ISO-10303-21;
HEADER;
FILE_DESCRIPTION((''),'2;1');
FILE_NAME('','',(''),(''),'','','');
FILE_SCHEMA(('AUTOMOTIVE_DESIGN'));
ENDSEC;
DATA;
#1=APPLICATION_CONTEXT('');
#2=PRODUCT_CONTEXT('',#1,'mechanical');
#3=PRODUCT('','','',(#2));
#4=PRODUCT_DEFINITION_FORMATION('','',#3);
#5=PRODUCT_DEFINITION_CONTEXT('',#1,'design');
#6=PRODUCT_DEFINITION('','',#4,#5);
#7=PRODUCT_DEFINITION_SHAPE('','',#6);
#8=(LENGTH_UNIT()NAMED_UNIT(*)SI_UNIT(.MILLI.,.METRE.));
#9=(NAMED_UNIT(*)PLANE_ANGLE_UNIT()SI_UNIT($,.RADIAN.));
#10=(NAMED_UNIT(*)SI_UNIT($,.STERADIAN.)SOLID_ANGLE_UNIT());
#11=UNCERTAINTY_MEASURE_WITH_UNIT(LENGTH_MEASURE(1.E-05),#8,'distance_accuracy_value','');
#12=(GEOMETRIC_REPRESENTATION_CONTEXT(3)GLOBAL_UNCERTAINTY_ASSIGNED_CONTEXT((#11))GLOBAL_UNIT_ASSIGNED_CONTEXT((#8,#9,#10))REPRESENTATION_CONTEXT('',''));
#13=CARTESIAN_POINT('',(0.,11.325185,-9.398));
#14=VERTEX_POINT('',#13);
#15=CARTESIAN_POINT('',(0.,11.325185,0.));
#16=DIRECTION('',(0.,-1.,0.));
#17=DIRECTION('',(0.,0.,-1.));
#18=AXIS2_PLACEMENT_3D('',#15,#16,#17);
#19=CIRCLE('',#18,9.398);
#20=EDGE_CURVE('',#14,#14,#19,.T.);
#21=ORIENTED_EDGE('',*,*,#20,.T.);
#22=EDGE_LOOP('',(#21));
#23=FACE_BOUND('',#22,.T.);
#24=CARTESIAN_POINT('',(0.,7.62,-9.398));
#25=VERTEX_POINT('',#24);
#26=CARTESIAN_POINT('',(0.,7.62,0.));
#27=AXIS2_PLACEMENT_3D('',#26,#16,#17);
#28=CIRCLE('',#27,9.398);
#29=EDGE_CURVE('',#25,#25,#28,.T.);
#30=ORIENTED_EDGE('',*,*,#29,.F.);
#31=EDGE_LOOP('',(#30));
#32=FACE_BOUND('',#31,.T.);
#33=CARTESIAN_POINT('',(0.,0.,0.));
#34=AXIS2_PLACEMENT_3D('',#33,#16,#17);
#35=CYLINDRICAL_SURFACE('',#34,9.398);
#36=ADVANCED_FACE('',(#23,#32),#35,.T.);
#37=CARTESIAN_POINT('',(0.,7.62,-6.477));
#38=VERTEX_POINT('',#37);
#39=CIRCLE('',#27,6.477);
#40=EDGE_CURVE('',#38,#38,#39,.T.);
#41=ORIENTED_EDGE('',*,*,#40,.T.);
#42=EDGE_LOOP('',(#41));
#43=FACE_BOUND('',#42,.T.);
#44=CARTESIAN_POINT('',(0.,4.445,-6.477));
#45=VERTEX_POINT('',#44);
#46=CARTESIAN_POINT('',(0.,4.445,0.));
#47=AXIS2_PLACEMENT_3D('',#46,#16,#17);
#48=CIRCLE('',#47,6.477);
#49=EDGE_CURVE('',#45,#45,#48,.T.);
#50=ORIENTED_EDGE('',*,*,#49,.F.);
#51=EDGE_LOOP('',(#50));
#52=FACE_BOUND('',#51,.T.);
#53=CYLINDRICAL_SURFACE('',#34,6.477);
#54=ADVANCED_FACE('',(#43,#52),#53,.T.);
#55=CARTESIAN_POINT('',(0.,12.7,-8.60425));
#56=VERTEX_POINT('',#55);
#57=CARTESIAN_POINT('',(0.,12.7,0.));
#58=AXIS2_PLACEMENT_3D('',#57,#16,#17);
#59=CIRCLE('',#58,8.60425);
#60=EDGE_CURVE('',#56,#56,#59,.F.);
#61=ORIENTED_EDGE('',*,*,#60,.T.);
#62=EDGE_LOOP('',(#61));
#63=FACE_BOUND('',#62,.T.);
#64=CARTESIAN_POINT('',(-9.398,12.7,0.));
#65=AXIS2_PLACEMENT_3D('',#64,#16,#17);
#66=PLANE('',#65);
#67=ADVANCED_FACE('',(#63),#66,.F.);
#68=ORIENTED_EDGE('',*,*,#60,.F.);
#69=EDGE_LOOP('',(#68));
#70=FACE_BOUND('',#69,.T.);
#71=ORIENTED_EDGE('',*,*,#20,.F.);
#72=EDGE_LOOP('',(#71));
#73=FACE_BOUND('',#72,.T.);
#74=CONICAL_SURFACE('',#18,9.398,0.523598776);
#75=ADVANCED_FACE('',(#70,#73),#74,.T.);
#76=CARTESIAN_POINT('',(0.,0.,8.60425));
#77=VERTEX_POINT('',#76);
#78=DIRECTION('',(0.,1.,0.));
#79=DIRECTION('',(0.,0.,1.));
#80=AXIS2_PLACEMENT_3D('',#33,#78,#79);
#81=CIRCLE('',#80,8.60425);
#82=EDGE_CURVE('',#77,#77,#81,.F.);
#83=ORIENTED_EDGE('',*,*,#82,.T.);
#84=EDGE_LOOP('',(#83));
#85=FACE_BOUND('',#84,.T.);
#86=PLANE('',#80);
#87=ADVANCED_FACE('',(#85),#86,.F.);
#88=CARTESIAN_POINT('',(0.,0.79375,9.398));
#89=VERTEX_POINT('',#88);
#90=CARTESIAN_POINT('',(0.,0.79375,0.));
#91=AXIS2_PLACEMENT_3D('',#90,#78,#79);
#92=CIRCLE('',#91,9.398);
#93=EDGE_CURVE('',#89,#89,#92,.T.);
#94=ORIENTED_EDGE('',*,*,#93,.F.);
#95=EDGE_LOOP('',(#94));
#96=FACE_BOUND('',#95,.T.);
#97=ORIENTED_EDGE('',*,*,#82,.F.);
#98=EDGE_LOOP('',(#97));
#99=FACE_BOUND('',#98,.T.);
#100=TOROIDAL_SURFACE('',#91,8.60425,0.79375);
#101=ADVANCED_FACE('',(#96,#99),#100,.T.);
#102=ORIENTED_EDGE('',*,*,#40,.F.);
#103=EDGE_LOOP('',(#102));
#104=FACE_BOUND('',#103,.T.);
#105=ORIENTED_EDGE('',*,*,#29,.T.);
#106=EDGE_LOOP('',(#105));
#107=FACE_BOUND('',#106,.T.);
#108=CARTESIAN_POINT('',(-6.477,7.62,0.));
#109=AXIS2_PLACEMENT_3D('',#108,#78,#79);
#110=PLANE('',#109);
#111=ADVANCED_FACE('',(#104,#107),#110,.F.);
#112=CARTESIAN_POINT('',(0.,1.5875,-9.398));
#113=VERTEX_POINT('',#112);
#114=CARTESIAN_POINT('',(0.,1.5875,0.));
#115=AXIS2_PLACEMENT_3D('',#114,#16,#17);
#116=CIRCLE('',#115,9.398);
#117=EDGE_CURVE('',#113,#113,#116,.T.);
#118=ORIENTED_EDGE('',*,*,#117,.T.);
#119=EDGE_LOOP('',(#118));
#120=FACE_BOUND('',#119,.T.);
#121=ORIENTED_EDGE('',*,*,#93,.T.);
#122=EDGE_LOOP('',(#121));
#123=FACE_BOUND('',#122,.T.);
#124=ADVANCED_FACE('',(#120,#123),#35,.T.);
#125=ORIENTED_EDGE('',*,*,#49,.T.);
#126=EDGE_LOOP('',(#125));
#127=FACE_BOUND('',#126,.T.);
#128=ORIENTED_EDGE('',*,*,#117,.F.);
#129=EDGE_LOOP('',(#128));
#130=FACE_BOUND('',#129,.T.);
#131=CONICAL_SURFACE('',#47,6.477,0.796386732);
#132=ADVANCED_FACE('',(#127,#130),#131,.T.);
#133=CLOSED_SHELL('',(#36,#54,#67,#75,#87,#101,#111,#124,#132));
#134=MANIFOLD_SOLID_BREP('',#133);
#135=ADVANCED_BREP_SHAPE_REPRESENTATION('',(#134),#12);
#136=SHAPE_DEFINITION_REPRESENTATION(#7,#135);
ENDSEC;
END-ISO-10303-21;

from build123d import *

# Parameters (mm, degrees)
FILLET1_R      = 0.79375
CHAMFER1_SIZE  = 0.79375
CHAMFER1_SIZE2 = 1.374815329


with BuildPart() as part:
    # Sketch1 → Revolve1 (revolve)
    with BuildSketch(Plane.XY):
        Polygon((0, 0), (-9.398, 0), (-9.398, 1.5875), (-6.477, 4.445), (-6.477, 7.62), (-9.398, 7.62), (-9.398, 12.7), (0, 12.7), align=None)
    revolve(axis=Axis((0, 0, 0), (0, 1, 0)))

    # Fillet1
    fillet1_edges = [part.edges().sort_by_distance(p)[0] for p in [
        (9.398, 0, 0),
    ]]
    fillet(fillet1_edges, radius=FILLET1_R)

    # Chamfer1
    chamfer1_edges = [part.edges().sort_by_distance(p)[0] for p in [
        (9.398, 12.7, 0),
    ]]
    chamfer1_side = [part.faces().sort_by_distance(p)[0] for p in [
        (0, 12.7, 0),
    ]]
    chamfer(chamfer1_edges, length=CHAMFER1_SIZE, length2=CHAMFER1_SIZE2, reference=chamfer1_side[0])


solid = part.part
